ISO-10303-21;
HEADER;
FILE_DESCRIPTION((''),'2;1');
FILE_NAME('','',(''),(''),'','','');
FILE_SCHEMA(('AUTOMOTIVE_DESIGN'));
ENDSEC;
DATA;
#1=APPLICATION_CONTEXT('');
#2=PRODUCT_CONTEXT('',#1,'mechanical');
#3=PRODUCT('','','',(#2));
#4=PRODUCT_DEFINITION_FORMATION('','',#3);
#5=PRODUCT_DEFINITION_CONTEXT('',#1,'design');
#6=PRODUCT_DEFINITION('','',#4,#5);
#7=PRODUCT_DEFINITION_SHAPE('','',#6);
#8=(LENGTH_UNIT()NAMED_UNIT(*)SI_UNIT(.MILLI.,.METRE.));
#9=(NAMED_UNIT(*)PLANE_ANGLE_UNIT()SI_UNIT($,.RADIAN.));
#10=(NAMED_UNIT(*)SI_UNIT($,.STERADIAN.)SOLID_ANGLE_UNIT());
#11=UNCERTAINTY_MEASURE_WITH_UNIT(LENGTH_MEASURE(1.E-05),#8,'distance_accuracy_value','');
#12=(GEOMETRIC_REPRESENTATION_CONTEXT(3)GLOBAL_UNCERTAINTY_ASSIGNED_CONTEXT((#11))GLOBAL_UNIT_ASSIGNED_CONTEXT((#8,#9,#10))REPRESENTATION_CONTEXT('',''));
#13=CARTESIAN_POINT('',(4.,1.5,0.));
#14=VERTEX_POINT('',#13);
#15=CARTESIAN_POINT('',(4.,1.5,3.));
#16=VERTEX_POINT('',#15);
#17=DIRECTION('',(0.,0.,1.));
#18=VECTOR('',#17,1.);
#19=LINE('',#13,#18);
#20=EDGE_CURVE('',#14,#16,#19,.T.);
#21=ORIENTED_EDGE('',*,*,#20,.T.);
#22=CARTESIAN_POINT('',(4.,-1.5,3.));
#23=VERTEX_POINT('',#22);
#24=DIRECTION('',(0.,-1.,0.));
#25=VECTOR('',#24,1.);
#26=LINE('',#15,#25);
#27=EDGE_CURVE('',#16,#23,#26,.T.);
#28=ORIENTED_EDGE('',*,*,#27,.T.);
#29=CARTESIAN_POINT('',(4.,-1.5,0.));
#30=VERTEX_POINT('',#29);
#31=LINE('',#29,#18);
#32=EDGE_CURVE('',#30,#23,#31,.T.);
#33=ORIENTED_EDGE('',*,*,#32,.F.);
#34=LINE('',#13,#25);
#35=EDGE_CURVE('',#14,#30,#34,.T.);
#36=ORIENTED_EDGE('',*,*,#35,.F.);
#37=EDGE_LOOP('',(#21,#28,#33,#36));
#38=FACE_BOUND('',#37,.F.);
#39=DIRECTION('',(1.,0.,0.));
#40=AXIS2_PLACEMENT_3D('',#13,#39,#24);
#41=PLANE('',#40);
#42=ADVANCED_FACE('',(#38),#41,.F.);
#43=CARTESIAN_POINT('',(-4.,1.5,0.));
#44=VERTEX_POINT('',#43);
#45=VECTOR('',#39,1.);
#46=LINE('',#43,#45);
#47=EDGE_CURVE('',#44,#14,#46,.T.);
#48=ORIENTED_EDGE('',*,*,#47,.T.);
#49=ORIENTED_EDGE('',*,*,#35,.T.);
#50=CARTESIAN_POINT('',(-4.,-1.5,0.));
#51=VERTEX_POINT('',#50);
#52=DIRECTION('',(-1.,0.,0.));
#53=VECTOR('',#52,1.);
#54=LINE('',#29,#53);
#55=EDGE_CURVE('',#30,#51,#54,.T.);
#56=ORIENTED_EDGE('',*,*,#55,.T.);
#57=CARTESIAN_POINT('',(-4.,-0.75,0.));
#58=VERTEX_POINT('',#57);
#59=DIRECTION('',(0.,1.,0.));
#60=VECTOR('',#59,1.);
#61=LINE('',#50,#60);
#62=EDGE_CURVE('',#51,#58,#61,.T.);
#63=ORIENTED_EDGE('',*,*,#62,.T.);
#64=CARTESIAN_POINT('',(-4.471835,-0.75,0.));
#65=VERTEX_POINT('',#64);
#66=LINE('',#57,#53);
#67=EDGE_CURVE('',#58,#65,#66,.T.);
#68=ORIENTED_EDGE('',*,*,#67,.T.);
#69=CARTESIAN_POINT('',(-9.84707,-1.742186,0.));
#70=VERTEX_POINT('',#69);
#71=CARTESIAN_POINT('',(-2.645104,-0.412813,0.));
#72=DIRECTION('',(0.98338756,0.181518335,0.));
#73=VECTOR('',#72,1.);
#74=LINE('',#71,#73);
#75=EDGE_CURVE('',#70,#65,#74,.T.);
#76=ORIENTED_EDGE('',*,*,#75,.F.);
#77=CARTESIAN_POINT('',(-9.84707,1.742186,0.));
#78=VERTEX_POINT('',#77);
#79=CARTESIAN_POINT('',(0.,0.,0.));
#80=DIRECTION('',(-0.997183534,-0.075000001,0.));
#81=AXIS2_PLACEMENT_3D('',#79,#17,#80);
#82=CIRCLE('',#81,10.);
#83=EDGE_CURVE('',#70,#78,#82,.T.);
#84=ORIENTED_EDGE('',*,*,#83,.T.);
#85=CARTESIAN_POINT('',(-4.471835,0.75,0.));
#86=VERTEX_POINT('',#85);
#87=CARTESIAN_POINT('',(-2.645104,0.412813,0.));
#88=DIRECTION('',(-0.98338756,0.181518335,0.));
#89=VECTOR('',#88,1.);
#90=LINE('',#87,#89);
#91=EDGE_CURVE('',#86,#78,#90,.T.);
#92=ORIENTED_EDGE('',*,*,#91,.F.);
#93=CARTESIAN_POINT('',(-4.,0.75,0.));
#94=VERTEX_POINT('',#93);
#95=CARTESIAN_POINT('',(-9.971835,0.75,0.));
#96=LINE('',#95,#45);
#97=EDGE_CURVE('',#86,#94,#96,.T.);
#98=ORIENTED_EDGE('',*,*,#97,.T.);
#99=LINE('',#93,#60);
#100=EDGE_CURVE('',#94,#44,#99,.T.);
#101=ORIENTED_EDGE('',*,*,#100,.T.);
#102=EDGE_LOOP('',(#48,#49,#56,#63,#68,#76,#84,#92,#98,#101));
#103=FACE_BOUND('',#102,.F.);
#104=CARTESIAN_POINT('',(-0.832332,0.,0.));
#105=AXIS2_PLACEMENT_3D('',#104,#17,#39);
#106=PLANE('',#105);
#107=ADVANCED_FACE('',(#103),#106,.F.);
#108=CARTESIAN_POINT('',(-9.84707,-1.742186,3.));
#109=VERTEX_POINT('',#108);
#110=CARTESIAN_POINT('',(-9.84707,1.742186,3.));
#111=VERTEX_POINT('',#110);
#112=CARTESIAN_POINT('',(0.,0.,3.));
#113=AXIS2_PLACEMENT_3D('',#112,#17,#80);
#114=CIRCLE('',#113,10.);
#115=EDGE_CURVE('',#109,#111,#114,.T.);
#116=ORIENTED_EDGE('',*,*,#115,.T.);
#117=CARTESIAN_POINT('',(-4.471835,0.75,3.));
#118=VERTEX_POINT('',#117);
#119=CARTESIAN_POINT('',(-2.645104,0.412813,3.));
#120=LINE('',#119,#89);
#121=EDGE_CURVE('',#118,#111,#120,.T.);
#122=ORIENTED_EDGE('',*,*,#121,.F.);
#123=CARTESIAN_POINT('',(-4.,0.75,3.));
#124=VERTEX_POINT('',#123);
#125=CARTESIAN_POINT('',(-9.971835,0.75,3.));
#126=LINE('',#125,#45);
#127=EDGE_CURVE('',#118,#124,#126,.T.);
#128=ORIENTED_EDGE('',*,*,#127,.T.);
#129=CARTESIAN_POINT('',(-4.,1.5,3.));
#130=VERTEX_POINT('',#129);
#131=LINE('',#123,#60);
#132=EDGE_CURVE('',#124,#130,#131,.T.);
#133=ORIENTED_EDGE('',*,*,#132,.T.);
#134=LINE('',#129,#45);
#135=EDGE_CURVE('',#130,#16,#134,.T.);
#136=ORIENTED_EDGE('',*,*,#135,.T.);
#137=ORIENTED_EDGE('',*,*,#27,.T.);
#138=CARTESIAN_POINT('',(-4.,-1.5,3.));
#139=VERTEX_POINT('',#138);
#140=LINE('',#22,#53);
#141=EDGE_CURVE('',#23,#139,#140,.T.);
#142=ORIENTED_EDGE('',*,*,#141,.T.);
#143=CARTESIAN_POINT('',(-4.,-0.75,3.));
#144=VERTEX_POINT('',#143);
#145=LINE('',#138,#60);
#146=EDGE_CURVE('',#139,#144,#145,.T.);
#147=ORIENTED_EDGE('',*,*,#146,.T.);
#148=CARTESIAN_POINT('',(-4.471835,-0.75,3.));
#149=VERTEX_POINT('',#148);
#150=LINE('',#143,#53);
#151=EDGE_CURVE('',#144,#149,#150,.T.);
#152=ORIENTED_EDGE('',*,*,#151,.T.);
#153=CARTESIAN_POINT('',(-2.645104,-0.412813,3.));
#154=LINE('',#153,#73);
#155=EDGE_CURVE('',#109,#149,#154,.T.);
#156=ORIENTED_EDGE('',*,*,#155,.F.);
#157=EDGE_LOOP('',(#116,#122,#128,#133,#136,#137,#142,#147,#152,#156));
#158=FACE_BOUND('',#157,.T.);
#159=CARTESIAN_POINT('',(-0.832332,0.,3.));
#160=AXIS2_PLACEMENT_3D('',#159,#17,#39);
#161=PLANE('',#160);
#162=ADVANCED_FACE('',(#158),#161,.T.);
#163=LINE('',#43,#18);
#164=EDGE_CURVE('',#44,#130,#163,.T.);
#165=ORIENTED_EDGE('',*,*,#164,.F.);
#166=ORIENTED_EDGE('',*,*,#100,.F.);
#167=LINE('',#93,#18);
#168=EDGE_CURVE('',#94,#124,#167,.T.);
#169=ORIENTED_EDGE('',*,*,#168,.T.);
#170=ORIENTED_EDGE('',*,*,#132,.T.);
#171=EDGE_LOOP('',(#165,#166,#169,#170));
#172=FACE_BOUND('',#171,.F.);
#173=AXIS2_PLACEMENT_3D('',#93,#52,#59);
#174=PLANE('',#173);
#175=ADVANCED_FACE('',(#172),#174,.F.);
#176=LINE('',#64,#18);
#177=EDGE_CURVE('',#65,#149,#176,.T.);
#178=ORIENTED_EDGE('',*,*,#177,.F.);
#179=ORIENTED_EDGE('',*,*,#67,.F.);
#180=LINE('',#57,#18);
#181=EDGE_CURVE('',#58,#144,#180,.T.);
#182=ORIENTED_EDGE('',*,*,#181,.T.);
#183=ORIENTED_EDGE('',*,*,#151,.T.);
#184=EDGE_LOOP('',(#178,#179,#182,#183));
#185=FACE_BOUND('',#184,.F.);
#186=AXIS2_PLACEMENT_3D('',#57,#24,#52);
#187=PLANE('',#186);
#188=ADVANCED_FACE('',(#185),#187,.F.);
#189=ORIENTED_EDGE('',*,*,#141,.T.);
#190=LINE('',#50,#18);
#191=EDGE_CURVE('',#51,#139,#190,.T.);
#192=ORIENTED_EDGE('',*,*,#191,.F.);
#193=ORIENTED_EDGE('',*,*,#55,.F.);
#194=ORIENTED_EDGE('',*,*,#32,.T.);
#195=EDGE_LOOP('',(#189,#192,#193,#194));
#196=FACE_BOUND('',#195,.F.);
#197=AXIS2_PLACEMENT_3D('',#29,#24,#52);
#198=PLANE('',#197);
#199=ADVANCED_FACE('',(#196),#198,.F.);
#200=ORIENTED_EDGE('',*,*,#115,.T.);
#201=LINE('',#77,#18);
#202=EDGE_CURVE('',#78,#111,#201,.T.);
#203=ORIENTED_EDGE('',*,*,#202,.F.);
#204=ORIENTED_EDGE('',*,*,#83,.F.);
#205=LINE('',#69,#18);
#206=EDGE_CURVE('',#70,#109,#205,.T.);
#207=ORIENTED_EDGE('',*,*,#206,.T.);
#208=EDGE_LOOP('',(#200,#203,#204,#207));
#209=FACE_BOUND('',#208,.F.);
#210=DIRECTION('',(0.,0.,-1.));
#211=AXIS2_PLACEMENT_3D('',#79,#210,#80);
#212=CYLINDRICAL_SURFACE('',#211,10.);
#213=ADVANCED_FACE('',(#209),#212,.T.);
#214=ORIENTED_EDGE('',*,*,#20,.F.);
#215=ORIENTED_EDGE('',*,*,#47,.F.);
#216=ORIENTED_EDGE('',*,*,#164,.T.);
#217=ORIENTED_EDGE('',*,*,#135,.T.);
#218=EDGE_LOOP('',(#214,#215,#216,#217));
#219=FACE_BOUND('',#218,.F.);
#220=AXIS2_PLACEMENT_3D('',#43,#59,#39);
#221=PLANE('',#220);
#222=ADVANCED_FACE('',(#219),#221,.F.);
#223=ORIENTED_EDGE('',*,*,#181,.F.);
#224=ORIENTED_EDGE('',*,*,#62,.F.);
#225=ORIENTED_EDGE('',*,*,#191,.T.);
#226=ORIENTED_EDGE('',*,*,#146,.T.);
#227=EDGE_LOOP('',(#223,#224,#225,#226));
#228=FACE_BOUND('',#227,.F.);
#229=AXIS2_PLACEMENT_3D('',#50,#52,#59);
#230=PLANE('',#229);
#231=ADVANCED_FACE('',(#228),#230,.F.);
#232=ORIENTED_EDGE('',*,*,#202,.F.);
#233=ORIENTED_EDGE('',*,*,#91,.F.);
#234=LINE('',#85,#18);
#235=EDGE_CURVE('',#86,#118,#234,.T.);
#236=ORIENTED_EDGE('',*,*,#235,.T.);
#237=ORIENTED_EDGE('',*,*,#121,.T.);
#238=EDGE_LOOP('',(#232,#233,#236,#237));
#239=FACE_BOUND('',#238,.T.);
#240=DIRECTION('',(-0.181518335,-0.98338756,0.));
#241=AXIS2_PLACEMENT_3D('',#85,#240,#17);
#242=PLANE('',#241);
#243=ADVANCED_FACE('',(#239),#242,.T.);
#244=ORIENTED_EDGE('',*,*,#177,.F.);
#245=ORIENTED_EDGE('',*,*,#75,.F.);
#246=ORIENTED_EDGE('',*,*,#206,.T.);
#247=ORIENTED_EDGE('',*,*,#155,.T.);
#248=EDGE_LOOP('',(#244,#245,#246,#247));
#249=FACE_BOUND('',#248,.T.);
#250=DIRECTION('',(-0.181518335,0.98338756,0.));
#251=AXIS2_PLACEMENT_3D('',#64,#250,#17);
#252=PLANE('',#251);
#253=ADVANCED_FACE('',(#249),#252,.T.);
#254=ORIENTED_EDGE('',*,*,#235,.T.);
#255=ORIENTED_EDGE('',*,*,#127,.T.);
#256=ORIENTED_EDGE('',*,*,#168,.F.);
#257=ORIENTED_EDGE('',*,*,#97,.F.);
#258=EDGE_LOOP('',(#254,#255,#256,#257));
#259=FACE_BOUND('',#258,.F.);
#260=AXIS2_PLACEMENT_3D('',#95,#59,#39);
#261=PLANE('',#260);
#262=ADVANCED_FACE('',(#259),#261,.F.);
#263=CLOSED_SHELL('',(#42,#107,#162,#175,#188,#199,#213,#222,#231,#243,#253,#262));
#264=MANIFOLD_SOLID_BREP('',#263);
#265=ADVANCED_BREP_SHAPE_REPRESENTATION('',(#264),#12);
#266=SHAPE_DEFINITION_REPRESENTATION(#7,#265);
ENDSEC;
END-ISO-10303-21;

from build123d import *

# Parameters (mm, degrees)
PAD_DEPTH        = 3
CHAMFER_SIZE2    = 1
CHAMFER_SIZE     = 5.5
CHAMFER001_SIZE2 = 5.5
CHAMFER001_SIZE  = 1


with BuildPart() as part:
    # Sketch → Pad (new body)
    with BuildSketch(Plane.XY):
        with BuildLine():
            Line((-9.971835, 0.75), (-4, 0.75))
            Line((-4, 0.75), (-4, 1.5))
            Line((-4, 1.5), (4, 1.5))
            Line((4, 1.5), (4, -1.5))
            Line((4, -1.5), (-4, -1.5))
            Line((-4, -1.5), (-4, -0.75))
            Line((-4, -0.75), (-9.971835, -0.75))
            ThreePointArc((-9.971835, -0.75), (10, 0), (-9.971835, 0.75))
        make_face()
    extrude(amount=PAD_DEPTH)

    # Chamfer
    chamfer_edges = [part.edges().sort_by_distance(p)[0] for p in [
        (-9.971835, 0.75, 1.5),
    ]]
    chamfer_side = part.faces().sort_by_distance((-6.985918, 0.75, 1.5))[0]
    chamfer(chamfer_edges, length=CHAMFER_SIZE, length2=CHAMFER_SIZE2, reference=chamfer_side)

    # Chamfer001
    chamfer001_edges = [part.edges().sort_by_distance(p)[0] for p in [
        (-9.971835, -0.75, 1.5),
    ]]
    chamfer001_side = part.faces().sort_by_distance((9.987492, -0.5, 1.5))[0]
    chamfer(chamfer001_edges, length=CHAMFER001_SIZE, length2=CHAMFER001_SIZE2, reference=chamfer001_side)


solid = part.part
